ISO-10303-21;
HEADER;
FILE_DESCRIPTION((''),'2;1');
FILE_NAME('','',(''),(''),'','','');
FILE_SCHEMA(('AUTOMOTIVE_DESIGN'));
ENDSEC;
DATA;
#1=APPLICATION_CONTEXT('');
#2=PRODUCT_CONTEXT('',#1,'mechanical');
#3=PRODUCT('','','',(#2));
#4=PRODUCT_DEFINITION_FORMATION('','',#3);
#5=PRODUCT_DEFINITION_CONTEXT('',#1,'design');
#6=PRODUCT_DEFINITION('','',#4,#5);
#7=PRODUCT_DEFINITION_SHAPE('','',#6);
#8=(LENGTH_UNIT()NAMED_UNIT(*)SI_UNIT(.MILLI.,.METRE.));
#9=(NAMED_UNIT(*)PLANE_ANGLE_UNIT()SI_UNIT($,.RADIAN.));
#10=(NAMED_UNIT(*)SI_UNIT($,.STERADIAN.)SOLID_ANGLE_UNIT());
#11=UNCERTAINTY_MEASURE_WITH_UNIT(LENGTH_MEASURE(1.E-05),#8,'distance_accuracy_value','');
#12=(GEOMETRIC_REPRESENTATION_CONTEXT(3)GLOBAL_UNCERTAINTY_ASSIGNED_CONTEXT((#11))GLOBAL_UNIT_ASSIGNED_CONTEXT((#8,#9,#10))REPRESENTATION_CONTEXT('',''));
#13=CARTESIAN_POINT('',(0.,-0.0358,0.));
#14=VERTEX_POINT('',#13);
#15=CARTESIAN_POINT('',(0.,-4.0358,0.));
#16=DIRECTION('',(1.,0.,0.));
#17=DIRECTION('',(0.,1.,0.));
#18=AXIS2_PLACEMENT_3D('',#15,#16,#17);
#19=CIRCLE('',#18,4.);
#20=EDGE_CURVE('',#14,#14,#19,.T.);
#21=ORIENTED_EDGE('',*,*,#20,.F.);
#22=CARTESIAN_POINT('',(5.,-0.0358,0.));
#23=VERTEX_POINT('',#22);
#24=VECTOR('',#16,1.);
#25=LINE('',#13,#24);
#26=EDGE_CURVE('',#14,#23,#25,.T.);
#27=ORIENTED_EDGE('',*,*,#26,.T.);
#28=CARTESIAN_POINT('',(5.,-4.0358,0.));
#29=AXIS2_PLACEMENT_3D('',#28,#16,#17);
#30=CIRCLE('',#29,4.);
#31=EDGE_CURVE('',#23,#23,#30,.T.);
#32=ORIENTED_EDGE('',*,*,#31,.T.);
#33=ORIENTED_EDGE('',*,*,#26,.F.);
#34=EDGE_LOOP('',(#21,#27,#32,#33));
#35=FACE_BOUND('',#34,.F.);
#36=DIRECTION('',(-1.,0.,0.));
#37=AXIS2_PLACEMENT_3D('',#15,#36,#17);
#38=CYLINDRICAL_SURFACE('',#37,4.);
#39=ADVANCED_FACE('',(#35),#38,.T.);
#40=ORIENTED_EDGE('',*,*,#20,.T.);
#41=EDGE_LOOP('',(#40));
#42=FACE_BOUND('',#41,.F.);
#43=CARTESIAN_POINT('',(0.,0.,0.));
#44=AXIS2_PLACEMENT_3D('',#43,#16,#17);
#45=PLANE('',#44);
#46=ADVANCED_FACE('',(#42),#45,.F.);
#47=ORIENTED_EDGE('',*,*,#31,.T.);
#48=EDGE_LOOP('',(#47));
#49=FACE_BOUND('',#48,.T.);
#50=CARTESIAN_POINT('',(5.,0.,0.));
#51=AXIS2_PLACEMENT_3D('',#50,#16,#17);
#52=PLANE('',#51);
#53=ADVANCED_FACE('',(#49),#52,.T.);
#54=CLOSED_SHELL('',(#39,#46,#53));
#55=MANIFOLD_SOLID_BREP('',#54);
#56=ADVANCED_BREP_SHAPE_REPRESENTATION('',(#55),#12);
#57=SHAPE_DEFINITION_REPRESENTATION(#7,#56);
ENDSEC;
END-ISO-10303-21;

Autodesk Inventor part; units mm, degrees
ref_plane "YZ Plane" through (0, 0, 0) normal (1, 0, 0) x (0, 1, 0)
ref_plane "XZ Plane" through (0, 0, 0) normal (0, 1, 0) x (-1, 0, 0)
ref_plane "XY Plane" through (0, 0, 0) normal (0, 0, 1) x (1, 0, 0)
sketch "Эскиз1" plane through (0, 0, 0) normal (1, 0, 0) x (0, 1, 0)
  circle A0 centre (-4.0358, 0) radius 4
  point P0 (0, 0)
  dimension "d0" = 8
  dimension "d0" = 8
extrude "Выдавливание1" add sketch "Эскиз1" along normal blind 5
